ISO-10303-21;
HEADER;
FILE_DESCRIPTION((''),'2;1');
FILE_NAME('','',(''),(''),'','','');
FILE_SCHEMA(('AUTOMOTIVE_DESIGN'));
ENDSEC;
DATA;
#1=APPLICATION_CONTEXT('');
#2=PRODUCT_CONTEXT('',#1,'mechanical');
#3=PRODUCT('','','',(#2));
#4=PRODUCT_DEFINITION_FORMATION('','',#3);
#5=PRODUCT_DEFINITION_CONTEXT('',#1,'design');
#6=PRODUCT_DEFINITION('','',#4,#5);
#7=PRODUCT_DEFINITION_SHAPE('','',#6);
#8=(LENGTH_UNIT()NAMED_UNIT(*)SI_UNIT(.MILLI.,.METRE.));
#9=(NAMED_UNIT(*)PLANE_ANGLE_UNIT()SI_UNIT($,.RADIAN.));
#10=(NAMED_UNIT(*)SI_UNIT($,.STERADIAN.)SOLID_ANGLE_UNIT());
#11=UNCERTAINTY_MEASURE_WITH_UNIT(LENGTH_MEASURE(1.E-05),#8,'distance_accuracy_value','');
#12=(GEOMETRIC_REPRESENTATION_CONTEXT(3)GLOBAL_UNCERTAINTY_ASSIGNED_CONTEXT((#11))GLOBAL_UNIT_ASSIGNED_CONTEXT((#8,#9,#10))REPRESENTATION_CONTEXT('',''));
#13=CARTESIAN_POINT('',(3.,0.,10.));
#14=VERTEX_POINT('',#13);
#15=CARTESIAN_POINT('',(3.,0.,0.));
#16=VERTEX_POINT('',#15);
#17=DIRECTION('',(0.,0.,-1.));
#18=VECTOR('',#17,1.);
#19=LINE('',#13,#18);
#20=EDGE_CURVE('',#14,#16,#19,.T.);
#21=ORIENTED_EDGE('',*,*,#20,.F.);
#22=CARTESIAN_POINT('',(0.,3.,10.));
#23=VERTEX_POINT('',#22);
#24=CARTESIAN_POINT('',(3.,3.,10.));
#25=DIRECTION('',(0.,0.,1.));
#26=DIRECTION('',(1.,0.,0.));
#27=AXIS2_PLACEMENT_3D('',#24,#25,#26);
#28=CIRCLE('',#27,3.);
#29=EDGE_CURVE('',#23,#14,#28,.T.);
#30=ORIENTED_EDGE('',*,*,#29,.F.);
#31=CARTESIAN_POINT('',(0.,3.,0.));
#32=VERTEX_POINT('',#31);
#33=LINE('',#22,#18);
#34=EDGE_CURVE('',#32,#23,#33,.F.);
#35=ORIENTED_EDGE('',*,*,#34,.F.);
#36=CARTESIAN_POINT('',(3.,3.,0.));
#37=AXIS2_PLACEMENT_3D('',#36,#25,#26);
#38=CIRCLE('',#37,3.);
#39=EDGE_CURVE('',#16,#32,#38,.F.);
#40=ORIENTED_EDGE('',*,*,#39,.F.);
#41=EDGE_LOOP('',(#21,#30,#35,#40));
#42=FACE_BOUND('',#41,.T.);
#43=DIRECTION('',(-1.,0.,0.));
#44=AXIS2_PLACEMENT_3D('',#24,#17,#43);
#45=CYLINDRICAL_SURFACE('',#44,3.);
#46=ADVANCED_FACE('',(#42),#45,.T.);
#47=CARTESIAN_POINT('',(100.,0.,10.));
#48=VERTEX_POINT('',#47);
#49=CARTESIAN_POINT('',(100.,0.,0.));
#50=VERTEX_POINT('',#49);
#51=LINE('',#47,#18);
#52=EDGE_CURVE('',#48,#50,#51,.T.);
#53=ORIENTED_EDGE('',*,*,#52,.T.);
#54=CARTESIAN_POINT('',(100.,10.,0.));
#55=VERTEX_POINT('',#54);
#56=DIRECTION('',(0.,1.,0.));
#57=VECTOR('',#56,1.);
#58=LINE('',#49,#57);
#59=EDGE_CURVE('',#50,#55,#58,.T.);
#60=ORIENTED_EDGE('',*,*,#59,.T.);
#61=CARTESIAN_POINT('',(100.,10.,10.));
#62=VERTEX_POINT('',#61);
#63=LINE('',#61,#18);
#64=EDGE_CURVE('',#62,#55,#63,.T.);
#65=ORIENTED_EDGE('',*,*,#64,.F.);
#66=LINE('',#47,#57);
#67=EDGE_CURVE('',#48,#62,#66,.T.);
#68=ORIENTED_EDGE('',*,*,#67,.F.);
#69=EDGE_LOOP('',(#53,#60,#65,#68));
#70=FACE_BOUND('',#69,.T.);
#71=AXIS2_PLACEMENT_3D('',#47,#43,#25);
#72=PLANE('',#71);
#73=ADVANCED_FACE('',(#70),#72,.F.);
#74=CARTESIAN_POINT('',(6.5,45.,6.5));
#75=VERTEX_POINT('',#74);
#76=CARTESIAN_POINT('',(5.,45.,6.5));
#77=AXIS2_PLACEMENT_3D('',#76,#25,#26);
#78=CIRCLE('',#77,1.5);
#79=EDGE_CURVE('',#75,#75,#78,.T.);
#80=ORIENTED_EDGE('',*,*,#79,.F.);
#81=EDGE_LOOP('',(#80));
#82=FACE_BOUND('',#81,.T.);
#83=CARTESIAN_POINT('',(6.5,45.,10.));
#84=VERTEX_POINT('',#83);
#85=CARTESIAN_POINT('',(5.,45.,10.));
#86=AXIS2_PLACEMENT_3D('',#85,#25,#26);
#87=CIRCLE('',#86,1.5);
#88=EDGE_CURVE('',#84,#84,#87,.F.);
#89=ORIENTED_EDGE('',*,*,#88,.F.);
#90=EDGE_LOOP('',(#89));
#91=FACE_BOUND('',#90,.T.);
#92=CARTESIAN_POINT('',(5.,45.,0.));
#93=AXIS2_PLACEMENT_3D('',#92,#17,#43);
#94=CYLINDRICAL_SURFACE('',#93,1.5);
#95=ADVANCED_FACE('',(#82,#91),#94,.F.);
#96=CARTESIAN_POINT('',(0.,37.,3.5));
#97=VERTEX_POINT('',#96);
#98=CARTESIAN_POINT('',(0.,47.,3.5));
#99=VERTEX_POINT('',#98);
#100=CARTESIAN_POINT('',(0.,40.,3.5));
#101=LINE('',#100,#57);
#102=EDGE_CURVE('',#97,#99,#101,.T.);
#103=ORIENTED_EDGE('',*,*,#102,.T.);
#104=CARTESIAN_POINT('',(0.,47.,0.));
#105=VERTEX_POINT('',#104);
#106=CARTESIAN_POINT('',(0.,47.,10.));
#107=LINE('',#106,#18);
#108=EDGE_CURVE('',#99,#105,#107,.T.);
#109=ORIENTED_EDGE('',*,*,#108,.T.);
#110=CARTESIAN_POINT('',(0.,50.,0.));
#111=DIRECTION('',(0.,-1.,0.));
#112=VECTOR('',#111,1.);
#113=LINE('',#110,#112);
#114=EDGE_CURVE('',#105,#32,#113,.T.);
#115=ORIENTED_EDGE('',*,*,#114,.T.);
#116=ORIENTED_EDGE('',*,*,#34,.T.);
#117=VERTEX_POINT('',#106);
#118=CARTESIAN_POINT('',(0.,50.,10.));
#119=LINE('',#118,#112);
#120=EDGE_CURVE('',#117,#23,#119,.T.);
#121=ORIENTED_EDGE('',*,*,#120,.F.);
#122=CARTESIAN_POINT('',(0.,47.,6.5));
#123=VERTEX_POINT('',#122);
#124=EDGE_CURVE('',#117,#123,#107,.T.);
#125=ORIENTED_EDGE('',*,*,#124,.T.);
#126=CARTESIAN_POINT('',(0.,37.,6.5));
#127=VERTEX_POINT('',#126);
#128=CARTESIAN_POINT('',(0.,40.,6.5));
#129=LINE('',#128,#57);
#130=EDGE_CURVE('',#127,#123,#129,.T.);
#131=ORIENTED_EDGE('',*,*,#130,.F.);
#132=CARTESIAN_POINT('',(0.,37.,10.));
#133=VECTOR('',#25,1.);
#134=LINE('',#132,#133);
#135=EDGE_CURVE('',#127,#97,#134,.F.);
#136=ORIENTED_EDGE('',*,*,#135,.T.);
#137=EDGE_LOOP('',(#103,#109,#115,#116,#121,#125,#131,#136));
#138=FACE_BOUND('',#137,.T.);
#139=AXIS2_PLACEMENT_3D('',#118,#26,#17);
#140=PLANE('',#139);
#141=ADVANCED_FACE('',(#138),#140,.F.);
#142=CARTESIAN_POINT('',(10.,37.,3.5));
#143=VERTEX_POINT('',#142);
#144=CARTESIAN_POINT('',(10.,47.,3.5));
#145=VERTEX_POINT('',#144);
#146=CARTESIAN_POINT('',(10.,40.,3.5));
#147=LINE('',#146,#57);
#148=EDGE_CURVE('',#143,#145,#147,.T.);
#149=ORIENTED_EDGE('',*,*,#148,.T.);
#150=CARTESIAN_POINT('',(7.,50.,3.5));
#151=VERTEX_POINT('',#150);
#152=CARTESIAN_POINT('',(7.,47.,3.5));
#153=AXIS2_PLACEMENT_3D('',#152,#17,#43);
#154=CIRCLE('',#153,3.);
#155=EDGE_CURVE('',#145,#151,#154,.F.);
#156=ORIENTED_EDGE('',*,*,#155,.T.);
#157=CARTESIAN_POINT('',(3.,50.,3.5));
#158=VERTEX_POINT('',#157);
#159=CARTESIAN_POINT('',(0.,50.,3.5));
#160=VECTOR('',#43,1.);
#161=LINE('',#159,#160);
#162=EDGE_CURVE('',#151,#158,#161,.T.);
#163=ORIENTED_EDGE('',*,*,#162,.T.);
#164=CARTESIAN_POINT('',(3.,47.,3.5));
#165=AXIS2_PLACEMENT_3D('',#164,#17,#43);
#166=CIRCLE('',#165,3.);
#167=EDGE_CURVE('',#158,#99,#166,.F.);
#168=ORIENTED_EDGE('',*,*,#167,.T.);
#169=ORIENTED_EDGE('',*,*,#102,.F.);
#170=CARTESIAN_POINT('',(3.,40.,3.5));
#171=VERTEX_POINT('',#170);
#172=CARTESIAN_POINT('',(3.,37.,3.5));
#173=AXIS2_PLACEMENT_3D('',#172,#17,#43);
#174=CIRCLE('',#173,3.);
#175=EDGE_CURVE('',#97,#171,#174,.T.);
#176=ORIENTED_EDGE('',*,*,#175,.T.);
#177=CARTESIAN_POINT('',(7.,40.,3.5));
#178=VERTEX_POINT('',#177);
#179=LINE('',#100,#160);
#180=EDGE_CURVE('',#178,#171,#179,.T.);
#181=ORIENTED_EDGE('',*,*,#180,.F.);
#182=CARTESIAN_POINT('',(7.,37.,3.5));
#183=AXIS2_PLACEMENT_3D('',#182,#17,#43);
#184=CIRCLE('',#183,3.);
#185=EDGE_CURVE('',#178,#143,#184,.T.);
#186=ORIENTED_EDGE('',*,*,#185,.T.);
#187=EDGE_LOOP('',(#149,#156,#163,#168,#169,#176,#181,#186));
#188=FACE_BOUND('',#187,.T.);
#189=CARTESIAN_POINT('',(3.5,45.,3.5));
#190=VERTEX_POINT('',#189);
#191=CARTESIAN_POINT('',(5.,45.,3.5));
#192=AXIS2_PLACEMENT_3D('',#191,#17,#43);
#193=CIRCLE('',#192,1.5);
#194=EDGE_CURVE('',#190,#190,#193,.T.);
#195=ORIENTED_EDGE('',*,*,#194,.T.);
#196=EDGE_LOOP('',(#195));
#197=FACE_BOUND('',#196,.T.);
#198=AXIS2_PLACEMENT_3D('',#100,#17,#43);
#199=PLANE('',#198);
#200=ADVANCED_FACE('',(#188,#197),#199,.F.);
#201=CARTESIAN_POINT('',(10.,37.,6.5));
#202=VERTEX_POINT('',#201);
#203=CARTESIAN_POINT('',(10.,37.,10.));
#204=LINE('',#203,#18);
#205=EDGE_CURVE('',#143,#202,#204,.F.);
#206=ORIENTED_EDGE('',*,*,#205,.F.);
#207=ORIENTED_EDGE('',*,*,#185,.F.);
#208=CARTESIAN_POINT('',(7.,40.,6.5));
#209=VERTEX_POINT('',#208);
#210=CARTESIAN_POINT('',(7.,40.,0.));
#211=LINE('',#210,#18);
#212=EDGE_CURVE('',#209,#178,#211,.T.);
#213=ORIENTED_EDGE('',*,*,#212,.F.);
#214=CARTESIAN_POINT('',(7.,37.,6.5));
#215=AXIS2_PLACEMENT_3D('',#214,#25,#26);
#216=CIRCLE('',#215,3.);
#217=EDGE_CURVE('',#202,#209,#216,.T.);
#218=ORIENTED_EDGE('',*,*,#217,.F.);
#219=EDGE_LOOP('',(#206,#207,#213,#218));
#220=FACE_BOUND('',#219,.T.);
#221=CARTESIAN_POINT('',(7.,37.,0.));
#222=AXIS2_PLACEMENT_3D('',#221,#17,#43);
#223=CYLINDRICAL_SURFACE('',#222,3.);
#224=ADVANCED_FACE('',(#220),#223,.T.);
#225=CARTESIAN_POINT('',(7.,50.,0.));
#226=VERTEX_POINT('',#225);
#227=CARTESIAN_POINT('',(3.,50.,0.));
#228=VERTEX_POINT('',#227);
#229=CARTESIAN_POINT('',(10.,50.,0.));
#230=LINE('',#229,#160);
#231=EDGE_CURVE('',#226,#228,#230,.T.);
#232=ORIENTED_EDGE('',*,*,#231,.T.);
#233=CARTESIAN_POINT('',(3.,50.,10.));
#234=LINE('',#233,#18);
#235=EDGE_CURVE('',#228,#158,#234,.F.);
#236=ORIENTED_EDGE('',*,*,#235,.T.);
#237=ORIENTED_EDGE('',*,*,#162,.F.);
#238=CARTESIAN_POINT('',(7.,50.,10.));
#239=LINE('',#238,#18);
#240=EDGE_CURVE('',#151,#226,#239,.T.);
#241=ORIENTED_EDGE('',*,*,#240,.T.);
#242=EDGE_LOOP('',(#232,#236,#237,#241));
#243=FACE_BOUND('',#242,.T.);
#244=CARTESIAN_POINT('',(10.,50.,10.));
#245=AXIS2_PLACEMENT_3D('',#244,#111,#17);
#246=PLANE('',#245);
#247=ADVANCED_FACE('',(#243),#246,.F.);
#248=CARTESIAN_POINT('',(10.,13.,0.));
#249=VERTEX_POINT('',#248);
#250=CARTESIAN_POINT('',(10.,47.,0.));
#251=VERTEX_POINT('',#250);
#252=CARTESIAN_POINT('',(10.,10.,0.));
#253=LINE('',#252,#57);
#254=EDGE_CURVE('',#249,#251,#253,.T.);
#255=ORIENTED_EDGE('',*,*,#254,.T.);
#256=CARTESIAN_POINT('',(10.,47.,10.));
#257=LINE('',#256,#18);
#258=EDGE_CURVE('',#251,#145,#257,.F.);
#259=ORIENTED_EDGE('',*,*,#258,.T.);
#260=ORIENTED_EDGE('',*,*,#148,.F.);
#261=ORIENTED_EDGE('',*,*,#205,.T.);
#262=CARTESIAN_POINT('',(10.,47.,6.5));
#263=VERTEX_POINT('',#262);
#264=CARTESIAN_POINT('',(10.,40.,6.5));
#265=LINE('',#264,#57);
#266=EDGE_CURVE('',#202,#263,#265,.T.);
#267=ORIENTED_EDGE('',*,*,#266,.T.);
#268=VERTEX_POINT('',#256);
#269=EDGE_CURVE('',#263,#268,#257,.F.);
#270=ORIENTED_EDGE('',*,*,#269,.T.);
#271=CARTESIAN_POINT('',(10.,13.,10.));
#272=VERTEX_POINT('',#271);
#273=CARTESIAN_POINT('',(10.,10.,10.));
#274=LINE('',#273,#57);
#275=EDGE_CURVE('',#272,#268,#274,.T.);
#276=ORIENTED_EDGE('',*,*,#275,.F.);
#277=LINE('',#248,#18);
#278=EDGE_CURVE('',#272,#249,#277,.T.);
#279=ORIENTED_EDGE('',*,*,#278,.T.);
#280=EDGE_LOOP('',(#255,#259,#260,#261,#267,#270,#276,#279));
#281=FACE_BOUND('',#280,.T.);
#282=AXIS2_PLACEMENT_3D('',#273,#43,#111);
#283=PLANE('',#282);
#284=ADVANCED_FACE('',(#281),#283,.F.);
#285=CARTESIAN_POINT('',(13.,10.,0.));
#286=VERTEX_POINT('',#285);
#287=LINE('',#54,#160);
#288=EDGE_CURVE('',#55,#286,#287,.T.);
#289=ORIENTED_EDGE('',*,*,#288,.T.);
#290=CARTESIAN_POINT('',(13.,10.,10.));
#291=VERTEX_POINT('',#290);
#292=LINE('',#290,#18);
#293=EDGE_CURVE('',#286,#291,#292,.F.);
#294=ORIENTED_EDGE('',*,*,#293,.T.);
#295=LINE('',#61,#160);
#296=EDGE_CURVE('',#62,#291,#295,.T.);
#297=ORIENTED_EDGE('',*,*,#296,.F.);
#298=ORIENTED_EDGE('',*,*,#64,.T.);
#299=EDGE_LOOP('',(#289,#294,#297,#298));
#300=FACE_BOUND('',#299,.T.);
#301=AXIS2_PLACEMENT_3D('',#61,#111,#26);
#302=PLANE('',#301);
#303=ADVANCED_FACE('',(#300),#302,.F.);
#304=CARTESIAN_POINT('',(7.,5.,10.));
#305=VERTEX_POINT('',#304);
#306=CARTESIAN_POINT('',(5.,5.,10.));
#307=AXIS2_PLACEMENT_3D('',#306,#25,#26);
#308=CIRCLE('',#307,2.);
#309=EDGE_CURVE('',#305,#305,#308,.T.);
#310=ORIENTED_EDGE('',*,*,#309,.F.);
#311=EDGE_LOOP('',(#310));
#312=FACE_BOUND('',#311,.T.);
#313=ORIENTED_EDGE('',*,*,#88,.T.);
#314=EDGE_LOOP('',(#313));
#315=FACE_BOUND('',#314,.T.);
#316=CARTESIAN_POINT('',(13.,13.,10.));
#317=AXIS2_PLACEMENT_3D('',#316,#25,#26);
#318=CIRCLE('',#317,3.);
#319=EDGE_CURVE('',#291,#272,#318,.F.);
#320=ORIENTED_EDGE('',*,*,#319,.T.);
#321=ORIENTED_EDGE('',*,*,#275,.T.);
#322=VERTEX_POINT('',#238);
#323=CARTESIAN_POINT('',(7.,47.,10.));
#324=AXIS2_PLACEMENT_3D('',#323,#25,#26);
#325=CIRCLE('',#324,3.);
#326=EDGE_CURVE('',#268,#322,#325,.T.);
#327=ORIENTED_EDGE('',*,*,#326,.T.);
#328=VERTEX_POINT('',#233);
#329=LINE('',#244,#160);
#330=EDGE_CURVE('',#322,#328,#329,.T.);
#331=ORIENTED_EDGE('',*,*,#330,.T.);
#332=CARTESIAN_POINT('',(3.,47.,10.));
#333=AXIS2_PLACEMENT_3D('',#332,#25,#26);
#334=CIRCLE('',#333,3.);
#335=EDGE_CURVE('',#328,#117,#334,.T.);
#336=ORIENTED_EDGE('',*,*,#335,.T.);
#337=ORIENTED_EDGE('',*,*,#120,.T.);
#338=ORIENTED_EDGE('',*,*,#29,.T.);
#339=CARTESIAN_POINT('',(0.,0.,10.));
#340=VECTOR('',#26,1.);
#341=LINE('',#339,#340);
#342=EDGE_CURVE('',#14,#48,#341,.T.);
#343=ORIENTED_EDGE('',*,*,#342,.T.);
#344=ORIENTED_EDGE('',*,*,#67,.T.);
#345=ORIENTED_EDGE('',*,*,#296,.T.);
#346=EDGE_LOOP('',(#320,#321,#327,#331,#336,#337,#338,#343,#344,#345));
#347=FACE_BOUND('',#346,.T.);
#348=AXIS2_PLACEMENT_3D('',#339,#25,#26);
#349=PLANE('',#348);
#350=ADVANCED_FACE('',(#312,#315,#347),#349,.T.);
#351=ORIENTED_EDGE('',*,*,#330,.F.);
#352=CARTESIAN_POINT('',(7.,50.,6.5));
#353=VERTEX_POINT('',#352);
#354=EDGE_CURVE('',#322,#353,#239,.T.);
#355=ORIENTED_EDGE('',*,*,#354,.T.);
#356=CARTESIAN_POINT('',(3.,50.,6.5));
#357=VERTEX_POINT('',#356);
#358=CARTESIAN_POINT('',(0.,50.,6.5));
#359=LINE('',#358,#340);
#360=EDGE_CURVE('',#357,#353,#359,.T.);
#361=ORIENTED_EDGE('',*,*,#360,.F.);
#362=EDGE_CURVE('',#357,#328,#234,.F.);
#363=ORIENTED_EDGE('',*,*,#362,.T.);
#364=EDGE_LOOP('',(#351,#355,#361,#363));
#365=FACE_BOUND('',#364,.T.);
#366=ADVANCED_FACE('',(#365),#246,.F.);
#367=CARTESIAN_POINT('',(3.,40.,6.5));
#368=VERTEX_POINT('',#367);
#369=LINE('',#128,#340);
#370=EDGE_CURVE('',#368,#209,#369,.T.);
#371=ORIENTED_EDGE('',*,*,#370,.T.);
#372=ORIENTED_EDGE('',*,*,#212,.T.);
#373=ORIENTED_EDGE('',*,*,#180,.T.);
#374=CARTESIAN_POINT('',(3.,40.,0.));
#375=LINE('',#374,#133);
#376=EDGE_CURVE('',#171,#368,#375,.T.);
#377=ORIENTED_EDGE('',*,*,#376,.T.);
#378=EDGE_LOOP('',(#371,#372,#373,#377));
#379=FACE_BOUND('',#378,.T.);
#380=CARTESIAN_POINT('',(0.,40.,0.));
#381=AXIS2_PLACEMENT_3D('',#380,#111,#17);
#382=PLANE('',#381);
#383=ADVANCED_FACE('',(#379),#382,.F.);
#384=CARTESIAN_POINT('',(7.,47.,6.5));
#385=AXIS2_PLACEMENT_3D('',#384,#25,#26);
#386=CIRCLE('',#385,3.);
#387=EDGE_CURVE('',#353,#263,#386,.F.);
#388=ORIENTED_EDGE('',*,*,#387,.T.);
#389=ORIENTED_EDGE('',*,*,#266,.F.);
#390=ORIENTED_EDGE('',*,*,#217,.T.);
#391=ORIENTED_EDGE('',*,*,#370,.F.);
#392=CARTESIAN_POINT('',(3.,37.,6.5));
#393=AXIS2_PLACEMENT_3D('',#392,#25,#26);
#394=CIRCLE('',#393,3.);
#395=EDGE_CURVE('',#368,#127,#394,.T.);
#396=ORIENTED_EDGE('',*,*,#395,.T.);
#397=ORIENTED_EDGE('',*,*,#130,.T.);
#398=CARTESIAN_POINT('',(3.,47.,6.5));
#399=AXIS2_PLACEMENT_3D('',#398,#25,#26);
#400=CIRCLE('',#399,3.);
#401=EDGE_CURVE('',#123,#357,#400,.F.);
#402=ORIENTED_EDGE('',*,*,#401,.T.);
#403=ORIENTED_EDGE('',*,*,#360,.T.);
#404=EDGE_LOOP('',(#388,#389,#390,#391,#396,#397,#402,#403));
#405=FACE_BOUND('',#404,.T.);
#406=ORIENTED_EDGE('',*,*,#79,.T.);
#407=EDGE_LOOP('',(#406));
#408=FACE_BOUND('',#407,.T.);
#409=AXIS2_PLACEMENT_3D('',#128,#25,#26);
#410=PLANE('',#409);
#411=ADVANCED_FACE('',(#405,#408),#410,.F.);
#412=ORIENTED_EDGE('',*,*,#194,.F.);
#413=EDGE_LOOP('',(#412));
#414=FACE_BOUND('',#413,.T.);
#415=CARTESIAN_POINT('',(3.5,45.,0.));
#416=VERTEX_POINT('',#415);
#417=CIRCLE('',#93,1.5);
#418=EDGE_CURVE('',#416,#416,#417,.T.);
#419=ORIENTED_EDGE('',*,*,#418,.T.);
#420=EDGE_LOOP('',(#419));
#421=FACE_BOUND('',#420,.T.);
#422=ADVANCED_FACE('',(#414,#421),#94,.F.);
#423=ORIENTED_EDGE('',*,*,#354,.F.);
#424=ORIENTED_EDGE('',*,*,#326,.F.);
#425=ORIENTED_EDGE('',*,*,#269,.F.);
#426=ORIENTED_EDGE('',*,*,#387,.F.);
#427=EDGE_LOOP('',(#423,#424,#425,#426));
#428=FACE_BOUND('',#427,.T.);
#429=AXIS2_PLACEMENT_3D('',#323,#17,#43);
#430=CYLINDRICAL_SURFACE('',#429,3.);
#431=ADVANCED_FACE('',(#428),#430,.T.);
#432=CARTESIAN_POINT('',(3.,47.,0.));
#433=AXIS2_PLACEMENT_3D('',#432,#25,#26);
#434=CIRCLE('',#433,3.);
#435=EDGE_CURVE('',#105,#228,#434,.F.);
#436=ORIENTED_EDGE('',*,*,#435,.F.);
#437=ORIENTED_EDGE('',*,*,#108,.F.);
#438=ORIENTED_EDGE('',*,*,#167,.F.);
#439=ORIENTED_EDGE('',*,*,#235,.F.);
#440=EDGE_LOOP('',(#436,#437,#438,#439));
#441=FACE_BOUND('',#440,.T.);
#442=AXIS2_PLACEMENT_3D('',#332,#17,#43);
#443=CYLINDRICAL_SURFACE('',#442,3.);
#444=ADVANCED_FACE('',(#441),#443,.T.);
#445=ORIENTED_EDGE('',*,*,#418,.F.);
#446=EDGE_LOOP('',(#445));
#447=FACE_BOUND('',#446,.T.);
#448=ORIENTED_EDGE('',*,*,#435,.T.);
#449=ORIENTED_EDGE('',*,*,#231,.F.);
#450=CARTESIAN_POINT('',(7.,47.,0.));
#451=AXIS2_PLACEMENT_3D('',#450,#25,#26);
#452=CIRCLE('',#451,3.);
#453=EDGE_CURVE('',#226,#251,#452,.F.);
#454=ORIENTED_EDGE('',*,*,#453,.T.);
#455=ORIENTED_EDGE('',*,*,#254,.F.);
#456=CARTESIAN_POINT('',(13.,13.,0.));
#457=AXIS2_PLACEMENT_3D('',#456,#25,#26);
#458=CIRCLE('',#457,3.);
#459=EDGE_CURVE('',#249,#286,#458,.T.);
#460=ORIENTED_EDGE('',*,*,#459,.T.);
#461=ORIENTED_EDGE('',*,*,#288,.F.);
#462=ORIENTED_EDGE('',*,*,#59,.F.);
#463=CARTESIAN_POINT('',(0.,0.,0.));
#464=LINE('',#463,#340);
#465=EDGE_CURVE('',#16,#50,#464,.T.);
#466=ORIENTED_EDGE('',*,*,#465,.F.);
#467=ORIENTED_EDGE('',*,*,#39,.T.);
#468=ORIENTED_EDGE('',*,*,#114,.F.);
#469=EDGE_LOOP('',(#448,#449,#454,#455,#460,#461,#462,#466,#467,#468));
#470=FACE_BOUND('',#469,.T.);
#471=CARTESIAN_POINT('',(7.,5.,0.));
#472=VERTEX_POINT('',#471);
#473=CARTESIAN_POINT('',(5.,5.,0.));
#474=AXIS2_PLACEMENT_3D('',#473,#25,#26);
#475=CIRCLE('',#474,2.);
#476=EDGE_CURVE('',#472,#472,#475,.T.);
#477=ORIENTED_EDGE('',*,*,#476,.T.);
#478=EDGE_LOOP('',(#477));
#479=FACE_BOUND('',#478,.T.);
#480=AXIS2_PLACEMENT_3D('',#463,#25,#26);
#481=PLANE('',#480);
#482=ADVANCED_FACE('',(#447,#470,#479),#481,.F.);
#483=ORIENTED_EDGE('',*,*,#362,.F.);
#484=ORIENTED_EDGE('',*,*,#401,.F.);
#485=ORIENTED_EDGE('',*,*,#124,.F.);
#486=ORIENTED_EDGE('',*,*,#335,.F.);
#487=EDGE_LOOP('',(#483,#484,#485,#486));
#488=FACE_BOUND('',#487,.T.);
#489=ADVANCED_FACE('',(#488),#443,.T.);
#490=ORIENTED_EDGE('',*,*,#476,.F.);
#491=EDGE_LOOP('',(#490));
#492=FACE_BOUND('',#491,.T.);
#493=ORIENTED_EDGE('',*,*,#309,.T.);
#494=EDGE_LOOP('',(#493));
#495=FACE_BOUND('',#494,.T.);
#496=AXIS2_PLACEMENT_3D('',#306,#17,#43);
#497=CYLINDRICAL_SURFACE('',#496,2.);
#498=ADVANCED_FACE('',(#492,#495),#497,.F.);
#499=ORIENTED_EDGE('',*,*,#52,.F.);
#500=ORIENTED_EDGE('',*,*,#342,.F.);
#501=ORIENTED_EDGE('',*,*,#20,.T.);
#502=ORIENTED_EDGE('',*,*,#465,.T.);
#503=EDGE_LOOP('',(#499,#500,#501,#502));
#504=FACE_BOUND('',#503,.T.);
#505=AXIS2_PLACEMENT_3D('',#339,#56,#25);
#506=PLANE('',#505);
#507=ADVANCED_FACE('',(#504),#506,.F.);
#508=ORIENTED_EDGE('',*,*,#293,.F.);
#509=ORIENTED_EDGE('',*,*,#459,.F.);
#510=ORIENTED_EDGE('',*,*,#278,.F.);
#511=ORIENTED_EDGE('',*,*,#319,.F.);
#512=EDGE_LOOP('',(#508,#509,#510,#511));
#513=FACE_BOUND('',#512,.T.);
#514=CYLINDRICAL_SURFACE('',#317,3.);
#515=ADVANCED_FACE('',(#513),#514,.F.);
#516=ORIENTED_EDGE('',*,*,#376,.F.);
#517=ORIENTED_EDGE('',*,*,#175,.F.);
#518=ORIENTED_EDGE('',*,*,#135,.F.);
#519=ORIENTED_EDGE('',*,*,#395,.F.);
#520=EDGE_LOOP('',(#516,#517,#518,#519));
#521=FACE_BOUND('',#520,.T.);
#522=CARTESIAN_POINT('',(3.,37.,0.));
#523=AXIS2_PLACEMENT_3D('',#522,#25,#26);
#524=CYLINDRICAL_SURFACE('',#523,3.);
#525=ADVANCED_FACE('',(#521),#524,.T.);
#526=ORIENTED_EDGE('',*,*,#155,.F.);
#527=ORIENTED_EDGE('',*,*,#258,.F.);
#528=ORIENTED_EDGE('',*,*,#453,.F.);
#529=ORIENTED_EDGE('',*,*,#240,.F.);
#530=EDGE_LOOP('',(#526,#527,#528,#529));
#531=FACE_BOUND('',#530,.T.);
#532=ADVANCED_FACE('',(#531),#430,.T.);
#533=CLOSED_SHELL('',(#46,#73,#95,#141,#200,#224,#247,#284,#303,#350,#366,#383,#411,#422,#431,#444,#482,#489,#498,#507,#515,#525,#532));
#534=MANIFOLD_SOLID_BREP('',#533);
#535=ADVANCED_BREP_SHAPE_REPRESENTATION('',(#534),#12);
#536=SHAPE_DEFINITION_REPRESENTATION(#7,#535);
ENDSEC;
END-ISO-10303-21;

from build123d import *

# Parameters (mm, degrees)
SKETCH1_R             = 2
BOSS_EXTRUDE1_DEPTH   = 10
SKETCH2_W             = 10
SKETCH2_H             = 3
CUT_EXTRUDE1_DEPTH    = 10
F_3_0MM_DOWEL_HOLE1_D = 3
FILLET2_R             = 3


with BuildPart() as part:
    # Sketch1 → Boss-Extrude1 (new body)
    with BuildSketch(Plane.XY):
        Polygon((0, 0), (100, 0), (100, 10), (10, 10), (10, 50), (0, 50), align=None)
        with Locations((5, 5)):
            Circle(SKETCH1_R, mode=Mode.SUBTRACT)
    extrude(amount=BOSS_EXTRUDE1_DEPTH)

    # Sketch2 → Cut-Extrude1 (cut)
    with BuildSketch(Plane(origin=(0, 50, 0), x_dir=(1, 0, 0), z_dir=(0, 1, 0))):
        with Locations((5, -5)):
            Rectangle(SKETCH2_W, SKETCH2_H)
    extrude(amount=-CUT_EXTRUDE1_DEPTH, mode=Mode.SUBTRACT)

    # Ø3.0mm Dowel Hole1 (through all)
    with Locations(Plane(origin=(0, 0, 0), x_dir=(1, 0, 0), z_dir=(0, 0, -1))):
        with Locations((5, -45)):
            Hole(F_3_0MM_DOWEL_HOLE1_D / 2)

    # Fillet2
    fillet2_edges = [part.edges().sort_by_distance(p)[0] for p in [
        (0, 50, 8.25),
        (10, 50, 8.25),
        (10, 10, 5),
        (0, 0, 5),
        (0, 50, 1.75),
        (10, 50, 1.75),
        (0, 40, 5),
        (10, 40, 5),
    ]]
    fillet(fillet2_edges, radius=FILLET2_R)


solid = part.part
